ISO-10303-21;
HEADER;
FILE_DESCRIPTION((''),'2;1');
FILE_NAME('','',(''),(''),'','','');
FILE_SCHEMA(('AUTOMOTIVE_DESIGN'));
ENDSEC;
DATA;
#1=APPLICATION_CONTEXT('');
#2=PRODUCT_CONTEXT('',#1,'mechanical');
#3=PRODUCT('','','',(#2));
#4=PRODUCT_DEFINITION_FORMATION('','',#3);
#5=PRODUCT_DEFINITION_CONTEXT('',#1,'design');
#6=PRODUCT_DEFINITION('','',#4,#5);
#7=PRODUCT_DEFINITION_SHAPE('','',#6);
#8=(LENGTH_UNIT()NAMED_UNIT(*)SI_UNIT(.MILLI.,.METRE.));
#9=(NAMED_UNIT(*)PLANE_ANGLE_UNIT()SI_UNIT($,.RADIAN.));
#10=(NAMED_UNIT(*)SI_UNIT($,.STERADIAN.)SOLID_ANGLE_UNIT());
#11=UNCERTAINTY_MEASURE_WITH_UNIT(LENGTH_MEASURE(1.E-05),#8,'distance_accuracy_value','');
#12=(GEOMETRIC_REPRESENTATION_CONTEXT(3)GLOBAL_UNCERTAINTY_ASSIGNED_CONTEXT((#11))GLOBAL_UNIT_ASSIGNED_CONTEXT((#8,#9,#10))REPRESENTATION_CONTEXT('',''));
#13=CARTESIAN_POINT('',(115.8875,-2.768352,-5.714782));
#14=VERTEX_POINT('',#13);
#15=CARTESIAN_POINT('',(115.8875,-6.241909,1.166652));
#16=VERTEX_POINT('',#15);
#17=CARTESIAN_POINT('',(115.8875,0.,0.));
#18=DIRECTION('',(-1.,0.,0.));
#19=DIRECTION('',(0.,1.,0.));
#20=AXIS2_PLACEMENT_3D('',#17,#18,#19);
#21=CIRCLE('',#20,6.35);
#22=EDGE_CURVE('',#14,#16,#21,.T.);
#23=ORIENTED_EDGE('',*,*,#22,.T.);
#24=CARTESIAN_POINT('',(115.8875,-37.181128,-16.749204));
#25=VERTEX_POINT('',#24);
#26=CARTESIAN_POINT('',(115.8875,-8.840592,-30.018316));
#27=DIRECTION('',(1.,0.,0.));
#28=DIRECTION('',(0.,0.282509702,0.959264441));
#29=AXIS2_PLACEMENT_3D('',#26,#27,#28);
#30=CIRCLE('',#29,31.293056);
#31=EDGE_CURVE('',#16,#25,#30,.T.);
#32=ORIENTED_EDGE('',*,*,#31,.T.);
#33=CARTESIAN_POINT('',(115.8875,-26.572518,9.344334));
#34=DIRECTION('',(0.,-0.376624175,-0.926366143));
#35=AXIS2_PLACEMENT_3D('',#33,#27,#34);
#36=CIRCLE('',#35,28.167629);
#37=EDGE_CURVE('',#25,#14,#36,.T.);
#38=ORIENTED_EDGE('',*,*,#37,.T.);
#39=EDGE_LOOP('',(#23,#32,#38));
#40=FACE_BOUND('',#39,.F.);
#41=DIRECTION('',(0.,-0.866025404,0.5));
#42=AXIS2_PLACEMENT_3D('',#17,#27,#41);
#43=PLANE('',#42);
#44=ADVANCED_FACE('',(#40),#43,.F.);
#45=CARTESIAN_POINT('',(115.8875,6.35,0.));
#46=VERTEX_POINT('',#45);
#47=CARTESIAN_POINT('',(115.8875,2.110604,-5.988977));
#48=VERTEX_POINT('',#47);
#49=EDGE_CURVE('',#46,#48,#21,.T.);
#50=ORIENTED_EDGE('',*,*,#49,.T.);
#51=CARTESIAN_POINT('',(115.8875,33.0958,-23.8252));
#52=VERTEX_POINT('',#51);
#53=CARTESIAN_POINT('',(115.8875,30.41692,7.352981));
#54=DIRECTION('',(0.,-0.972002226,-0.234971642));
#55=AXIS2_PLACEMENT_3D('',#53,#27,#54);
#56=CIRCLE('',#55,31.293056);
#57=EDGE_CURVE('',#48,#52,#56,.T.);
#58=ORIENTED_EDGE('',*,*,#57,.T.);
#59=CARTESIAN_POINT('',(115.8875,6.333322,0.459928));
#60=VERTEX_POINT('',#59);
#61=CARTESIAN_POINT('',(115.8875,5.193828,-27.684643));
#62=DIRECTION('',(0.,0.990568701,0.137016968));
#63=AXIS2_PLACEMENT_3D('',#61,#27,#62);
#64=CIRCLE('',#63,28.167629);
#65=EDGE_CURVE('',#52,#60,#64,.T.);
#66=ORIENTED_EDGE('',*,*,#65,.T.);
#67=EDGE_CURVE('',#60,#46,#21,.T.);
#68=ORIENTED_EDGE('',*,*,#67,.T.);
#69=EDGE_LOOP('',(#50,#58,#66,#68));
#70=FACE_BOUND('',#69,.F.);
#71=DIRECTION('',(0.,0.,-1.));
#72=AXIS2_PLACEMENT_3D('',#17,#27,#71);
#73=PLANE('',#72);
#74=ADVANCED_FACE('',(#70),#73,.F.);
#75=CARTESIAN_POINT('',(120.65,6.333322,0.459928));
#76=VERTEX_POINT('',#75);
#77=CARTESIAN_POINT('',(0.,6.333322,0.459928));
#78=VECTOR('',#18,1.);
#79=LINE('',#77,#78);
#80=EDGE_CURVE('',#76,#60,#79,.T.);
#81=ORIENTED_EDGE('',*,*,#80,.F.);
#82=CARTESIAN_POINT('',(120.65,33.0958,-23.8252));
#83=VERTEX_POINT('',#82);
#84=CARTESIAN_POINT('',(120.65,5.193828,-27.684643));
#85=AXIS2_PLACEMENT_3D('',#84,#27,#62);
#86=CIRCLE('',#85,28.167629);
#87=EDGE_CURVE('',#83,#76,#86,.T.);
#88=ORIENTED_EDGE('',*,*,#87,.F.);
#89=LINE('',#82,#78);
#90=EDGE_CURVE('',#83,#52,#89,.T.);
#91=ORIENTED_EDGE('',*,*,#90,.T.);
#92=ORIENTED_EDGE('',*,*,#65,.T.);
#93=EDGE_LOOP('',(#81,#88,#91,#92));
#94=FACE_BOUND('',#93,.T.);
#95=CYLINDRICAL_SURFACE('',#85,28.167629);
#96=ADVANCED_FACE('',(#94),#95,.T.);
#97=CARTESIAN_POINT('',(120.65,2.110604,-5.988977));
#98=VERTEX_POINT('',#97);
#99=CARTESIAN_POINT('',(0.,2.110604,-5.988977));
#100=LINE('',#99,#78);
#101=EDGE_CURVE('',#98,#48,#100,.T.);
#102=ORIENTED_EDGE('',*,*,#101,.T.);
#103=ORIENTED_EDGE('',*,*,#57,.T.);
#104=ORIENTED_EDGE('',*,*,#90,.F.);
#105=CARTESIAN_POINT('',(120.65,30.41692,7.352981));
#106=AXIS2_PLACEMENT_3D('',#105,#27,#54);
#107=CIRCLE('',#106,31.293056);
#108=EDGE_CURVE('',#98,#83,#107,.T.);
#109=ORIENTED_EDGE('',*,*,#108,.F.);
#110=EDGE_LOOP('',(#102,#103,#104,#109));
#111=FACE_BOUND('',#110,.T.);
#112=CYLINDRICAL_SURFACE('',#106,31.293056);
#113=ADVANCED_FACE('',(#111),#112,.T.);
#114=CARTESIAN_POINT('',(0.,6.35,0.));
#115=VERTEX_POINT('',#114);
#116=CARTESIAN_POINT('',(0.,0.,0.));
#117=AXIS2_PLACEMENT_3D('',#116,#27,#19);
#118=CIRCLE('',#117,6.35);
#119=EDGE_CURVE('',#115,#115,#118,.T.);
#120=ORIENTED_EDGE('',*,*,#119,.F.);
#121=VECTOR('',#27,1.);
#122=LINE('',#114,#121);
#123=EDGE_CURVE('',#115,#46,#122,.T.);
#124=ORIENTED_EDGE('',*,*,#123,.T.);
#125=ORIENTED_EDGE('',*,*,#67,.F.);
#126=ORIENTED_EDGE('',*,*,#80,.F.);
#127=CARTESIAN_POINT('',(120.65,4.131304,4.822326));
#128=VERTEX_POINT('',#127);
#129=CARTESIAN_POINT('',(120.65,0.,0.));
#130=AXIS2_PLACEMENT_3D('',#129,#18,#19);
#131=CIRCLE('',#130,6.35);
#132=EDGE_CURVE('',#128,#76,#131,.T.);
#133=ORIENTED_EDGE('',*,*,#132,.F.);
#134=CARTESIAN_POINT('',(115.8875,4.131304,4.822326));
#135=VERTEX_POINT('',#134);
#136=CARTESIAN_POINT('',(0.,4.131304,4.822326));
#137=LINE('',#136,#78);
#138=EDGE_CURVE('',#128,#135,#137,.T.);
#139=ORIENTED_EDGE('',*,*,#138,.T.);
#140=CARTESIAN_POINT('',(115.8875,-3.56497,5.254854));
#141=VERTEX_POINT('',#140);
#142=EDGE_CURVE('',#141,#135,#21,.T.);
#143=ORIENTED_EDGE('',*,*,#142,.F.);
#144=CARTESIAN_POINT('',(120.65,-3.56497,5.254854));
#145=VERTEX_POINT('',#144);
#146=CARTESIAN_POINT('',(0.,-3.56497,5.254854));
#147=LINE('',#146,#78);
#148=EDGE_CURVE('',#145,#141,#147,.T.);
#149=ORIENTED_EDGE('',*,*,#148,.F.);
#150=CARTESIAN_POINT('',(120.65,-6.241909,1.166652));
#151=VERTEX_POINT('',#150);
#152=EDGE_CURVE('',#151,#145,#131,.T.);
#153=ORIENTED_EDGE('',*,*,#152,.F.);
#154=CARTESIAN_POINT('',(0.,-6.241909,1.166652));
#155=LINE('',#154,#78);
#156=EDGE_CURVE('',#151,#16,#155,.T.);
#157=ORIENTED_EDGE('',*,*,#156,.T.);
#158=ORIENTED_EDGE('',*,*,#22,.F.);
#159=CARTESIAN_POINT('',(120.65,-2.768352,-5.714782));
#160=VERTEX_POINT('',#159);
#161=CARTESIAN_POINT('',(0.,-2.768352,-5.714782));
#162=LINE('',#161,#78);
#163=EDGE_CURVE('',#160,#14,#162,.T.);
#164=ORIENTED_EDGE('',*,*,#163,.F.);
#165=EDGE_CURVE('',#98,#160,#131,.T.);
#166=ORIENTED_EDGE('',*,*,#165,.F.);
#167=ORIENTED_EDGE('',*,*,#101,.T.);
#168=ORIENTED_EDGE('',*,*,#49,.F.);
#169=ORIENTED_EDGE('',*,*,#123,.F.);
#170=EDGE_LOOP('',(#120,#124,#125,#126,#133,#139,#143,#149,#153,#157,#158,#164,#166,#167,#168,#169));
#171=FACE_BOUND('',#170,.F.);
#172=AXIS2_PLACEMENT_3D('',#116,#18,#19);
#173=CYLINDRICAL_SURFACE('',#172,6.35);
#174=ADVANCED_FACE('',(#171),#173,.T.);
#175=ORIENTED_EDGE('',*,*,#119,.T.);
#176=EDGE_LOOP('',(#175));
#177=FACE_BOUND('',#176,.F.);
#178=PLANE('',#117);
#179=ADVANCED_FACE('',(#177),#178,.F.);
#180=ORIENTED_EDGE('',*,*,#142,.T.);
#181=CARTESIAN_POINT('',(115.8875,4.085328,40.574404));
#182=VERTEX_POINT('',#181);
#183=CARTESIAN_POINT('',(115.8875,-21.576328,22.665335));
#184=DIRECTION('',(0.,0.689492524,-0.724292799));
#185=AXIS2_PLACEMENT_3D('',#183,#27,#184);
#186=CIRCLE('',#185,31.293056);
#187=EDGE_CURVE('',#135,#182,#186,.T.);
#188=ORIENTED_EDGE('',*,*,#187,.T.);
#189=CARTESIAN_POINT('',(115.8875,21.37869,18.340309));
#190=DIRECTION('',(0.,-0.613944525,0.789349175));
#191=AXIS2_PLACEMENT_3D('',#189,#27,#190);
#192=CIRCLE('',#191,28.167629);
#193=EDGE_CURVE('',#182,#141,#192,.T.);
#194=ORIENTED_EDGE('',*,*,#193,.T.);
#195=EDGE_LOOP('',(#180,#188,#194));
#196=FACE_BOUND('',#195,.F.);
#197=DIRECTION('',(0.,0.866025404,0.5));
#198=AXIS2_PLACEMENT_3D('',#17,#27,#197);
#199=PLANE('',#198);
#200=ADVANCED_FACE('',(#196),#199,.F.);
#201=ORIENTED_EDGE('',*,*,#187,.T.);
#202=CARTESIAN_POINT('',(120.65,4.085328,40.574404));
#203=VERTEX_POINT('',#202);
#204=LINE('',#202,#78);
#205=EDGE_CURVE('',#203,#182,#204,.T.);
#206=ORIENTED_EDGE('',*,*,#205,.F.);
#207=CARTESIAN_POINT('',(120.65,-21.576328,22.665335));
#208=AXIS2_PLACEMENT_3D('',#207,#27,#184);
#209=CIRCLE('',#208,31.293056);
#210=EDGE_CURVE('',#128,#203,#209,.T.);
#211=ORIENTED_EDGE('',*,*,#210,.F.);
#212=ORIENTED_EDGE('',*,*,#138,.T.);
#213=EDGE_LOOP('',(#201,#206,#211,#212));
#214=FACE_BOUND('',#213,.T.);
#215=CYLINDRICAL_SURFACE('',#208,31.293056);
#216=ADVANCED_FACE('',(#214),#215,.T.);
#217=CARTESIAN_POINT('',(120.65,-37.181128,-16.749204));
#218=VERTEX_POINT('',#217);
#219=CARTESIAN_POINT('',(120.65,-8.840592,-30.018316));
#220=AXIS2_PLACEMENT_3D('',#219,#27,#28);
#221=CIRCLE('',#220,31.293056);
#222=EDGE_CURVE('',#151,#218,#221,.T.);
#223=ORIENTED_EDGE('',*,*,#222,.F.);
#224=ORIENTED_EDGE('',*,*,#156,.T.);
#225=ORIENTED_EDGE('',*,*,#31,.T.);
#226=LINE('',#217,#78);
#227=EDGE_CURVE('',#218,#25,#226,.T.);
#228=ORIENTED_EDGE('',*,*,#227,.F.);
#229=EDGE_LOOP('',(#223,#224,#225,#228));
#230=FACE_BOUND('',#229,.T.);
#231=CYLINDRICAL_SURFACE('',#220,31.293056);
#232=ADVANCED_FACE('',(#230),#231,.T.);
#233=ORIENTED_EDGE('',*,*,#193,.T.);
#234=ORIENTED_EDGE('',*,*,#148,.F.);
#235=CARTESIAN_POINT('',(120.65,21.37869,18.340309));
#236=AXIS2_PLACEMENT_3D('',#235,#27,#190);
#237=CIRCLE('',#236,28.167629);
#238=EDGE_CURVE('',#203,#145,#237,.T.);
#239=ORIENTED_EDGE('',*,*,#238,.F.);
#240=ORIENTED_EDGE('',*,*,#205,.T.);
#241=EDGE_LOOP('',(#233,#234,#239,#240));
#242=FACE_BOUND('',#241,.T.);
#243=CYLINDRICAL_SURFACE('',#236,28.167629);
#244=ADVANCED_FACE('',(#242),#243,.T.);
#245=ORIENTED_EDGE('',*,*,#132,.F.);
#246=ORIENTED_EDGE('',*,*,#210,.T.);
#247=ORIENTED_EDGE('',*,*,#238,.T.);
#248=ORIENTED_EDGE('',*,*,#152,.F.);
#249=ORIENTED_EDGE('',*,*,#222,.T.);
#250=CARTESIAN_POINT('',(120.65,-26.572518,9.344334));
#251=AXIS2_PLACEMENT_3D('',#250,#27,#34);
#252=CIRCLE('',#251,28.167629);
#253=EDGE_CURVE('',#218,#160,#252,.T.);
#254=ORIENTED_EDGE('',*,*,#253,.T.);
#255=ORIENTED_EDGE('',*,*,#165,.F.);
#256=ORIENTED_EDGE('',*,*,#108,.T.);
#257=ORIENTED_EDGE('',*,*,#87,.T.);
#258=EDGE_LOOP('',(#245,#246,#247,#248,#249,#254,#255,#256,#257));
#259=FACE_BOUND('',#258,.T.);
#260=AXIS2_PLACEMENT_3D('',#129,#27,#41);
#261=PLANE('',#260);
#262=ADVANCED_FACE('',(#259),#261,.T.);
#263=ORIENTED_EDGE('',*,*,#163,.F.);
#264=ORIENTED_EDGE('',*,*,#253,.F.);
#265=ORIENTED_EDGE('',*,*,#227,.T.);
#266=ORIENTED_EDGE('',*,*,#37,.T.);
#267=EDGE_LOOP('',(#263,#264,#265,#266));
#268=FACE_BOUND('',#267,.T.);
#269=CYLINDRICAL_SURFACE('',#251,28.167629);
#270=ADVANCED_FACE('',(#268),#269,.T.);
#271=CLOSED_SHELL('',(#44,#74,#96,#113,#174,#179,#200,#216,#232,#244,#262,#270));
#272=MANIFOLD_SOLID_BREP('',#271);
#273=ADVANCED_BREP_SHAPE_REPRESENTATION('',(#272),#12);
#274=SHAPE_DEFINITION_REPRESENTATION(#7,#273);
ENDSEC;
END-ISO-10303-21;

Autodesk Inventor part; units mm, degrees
ref_plane "YZ Plane" through (0, 0, 0) normal (1, 0, 0) x (0, 1, 0)
ref_plane "XZ Plane" through (0, 0, 0) normal (0, 1, 0) x (-1, 0, 0)
ref_plane "XY Plane" through (0, 0, 0) normal (0, 0, 1) x (1, 0, 0)
sketch "Sketch1" plane through (0, 0, 0) normal (1, 0, 0) x (0, 1, 0)
  circle A0 centre (0, 0) radius 6.35
  dimension "d0" = 12.7
extrude "Extrusion1" add sketch "Sketch1" along normal blind 127
sketch "Sketch2" plane through (127, 0, 0) normal (1, 0, 0) x (0, 0, -1)
  circle A0 centre (0, 0) radius 46.74
extrude "Extrusion2" cut sketch "Sketch2" against normal blind 6.35
sketch "Sketch3" plane through (120.65, 0, 0) normal (1, 0, 0) x (0, 0, -1)
  arc A0 (0, 0) -> (23.8252, 33.0958) centre (-7.3529, 30.4168) ccw
  arc A1 (23.8252, 33.0958) -> (0, 0) centre (27.6846, 5.1939) ccw
extrude "Extrusion3" add sketch "Sketch3" against normal blind 4.7625
pattern_circular "Circular Pattern1" count 3 over 360 about axis through (0, 0, 0) along (1, 0, 0) of "Extrusion3"
properties part number "Motor Axle"
